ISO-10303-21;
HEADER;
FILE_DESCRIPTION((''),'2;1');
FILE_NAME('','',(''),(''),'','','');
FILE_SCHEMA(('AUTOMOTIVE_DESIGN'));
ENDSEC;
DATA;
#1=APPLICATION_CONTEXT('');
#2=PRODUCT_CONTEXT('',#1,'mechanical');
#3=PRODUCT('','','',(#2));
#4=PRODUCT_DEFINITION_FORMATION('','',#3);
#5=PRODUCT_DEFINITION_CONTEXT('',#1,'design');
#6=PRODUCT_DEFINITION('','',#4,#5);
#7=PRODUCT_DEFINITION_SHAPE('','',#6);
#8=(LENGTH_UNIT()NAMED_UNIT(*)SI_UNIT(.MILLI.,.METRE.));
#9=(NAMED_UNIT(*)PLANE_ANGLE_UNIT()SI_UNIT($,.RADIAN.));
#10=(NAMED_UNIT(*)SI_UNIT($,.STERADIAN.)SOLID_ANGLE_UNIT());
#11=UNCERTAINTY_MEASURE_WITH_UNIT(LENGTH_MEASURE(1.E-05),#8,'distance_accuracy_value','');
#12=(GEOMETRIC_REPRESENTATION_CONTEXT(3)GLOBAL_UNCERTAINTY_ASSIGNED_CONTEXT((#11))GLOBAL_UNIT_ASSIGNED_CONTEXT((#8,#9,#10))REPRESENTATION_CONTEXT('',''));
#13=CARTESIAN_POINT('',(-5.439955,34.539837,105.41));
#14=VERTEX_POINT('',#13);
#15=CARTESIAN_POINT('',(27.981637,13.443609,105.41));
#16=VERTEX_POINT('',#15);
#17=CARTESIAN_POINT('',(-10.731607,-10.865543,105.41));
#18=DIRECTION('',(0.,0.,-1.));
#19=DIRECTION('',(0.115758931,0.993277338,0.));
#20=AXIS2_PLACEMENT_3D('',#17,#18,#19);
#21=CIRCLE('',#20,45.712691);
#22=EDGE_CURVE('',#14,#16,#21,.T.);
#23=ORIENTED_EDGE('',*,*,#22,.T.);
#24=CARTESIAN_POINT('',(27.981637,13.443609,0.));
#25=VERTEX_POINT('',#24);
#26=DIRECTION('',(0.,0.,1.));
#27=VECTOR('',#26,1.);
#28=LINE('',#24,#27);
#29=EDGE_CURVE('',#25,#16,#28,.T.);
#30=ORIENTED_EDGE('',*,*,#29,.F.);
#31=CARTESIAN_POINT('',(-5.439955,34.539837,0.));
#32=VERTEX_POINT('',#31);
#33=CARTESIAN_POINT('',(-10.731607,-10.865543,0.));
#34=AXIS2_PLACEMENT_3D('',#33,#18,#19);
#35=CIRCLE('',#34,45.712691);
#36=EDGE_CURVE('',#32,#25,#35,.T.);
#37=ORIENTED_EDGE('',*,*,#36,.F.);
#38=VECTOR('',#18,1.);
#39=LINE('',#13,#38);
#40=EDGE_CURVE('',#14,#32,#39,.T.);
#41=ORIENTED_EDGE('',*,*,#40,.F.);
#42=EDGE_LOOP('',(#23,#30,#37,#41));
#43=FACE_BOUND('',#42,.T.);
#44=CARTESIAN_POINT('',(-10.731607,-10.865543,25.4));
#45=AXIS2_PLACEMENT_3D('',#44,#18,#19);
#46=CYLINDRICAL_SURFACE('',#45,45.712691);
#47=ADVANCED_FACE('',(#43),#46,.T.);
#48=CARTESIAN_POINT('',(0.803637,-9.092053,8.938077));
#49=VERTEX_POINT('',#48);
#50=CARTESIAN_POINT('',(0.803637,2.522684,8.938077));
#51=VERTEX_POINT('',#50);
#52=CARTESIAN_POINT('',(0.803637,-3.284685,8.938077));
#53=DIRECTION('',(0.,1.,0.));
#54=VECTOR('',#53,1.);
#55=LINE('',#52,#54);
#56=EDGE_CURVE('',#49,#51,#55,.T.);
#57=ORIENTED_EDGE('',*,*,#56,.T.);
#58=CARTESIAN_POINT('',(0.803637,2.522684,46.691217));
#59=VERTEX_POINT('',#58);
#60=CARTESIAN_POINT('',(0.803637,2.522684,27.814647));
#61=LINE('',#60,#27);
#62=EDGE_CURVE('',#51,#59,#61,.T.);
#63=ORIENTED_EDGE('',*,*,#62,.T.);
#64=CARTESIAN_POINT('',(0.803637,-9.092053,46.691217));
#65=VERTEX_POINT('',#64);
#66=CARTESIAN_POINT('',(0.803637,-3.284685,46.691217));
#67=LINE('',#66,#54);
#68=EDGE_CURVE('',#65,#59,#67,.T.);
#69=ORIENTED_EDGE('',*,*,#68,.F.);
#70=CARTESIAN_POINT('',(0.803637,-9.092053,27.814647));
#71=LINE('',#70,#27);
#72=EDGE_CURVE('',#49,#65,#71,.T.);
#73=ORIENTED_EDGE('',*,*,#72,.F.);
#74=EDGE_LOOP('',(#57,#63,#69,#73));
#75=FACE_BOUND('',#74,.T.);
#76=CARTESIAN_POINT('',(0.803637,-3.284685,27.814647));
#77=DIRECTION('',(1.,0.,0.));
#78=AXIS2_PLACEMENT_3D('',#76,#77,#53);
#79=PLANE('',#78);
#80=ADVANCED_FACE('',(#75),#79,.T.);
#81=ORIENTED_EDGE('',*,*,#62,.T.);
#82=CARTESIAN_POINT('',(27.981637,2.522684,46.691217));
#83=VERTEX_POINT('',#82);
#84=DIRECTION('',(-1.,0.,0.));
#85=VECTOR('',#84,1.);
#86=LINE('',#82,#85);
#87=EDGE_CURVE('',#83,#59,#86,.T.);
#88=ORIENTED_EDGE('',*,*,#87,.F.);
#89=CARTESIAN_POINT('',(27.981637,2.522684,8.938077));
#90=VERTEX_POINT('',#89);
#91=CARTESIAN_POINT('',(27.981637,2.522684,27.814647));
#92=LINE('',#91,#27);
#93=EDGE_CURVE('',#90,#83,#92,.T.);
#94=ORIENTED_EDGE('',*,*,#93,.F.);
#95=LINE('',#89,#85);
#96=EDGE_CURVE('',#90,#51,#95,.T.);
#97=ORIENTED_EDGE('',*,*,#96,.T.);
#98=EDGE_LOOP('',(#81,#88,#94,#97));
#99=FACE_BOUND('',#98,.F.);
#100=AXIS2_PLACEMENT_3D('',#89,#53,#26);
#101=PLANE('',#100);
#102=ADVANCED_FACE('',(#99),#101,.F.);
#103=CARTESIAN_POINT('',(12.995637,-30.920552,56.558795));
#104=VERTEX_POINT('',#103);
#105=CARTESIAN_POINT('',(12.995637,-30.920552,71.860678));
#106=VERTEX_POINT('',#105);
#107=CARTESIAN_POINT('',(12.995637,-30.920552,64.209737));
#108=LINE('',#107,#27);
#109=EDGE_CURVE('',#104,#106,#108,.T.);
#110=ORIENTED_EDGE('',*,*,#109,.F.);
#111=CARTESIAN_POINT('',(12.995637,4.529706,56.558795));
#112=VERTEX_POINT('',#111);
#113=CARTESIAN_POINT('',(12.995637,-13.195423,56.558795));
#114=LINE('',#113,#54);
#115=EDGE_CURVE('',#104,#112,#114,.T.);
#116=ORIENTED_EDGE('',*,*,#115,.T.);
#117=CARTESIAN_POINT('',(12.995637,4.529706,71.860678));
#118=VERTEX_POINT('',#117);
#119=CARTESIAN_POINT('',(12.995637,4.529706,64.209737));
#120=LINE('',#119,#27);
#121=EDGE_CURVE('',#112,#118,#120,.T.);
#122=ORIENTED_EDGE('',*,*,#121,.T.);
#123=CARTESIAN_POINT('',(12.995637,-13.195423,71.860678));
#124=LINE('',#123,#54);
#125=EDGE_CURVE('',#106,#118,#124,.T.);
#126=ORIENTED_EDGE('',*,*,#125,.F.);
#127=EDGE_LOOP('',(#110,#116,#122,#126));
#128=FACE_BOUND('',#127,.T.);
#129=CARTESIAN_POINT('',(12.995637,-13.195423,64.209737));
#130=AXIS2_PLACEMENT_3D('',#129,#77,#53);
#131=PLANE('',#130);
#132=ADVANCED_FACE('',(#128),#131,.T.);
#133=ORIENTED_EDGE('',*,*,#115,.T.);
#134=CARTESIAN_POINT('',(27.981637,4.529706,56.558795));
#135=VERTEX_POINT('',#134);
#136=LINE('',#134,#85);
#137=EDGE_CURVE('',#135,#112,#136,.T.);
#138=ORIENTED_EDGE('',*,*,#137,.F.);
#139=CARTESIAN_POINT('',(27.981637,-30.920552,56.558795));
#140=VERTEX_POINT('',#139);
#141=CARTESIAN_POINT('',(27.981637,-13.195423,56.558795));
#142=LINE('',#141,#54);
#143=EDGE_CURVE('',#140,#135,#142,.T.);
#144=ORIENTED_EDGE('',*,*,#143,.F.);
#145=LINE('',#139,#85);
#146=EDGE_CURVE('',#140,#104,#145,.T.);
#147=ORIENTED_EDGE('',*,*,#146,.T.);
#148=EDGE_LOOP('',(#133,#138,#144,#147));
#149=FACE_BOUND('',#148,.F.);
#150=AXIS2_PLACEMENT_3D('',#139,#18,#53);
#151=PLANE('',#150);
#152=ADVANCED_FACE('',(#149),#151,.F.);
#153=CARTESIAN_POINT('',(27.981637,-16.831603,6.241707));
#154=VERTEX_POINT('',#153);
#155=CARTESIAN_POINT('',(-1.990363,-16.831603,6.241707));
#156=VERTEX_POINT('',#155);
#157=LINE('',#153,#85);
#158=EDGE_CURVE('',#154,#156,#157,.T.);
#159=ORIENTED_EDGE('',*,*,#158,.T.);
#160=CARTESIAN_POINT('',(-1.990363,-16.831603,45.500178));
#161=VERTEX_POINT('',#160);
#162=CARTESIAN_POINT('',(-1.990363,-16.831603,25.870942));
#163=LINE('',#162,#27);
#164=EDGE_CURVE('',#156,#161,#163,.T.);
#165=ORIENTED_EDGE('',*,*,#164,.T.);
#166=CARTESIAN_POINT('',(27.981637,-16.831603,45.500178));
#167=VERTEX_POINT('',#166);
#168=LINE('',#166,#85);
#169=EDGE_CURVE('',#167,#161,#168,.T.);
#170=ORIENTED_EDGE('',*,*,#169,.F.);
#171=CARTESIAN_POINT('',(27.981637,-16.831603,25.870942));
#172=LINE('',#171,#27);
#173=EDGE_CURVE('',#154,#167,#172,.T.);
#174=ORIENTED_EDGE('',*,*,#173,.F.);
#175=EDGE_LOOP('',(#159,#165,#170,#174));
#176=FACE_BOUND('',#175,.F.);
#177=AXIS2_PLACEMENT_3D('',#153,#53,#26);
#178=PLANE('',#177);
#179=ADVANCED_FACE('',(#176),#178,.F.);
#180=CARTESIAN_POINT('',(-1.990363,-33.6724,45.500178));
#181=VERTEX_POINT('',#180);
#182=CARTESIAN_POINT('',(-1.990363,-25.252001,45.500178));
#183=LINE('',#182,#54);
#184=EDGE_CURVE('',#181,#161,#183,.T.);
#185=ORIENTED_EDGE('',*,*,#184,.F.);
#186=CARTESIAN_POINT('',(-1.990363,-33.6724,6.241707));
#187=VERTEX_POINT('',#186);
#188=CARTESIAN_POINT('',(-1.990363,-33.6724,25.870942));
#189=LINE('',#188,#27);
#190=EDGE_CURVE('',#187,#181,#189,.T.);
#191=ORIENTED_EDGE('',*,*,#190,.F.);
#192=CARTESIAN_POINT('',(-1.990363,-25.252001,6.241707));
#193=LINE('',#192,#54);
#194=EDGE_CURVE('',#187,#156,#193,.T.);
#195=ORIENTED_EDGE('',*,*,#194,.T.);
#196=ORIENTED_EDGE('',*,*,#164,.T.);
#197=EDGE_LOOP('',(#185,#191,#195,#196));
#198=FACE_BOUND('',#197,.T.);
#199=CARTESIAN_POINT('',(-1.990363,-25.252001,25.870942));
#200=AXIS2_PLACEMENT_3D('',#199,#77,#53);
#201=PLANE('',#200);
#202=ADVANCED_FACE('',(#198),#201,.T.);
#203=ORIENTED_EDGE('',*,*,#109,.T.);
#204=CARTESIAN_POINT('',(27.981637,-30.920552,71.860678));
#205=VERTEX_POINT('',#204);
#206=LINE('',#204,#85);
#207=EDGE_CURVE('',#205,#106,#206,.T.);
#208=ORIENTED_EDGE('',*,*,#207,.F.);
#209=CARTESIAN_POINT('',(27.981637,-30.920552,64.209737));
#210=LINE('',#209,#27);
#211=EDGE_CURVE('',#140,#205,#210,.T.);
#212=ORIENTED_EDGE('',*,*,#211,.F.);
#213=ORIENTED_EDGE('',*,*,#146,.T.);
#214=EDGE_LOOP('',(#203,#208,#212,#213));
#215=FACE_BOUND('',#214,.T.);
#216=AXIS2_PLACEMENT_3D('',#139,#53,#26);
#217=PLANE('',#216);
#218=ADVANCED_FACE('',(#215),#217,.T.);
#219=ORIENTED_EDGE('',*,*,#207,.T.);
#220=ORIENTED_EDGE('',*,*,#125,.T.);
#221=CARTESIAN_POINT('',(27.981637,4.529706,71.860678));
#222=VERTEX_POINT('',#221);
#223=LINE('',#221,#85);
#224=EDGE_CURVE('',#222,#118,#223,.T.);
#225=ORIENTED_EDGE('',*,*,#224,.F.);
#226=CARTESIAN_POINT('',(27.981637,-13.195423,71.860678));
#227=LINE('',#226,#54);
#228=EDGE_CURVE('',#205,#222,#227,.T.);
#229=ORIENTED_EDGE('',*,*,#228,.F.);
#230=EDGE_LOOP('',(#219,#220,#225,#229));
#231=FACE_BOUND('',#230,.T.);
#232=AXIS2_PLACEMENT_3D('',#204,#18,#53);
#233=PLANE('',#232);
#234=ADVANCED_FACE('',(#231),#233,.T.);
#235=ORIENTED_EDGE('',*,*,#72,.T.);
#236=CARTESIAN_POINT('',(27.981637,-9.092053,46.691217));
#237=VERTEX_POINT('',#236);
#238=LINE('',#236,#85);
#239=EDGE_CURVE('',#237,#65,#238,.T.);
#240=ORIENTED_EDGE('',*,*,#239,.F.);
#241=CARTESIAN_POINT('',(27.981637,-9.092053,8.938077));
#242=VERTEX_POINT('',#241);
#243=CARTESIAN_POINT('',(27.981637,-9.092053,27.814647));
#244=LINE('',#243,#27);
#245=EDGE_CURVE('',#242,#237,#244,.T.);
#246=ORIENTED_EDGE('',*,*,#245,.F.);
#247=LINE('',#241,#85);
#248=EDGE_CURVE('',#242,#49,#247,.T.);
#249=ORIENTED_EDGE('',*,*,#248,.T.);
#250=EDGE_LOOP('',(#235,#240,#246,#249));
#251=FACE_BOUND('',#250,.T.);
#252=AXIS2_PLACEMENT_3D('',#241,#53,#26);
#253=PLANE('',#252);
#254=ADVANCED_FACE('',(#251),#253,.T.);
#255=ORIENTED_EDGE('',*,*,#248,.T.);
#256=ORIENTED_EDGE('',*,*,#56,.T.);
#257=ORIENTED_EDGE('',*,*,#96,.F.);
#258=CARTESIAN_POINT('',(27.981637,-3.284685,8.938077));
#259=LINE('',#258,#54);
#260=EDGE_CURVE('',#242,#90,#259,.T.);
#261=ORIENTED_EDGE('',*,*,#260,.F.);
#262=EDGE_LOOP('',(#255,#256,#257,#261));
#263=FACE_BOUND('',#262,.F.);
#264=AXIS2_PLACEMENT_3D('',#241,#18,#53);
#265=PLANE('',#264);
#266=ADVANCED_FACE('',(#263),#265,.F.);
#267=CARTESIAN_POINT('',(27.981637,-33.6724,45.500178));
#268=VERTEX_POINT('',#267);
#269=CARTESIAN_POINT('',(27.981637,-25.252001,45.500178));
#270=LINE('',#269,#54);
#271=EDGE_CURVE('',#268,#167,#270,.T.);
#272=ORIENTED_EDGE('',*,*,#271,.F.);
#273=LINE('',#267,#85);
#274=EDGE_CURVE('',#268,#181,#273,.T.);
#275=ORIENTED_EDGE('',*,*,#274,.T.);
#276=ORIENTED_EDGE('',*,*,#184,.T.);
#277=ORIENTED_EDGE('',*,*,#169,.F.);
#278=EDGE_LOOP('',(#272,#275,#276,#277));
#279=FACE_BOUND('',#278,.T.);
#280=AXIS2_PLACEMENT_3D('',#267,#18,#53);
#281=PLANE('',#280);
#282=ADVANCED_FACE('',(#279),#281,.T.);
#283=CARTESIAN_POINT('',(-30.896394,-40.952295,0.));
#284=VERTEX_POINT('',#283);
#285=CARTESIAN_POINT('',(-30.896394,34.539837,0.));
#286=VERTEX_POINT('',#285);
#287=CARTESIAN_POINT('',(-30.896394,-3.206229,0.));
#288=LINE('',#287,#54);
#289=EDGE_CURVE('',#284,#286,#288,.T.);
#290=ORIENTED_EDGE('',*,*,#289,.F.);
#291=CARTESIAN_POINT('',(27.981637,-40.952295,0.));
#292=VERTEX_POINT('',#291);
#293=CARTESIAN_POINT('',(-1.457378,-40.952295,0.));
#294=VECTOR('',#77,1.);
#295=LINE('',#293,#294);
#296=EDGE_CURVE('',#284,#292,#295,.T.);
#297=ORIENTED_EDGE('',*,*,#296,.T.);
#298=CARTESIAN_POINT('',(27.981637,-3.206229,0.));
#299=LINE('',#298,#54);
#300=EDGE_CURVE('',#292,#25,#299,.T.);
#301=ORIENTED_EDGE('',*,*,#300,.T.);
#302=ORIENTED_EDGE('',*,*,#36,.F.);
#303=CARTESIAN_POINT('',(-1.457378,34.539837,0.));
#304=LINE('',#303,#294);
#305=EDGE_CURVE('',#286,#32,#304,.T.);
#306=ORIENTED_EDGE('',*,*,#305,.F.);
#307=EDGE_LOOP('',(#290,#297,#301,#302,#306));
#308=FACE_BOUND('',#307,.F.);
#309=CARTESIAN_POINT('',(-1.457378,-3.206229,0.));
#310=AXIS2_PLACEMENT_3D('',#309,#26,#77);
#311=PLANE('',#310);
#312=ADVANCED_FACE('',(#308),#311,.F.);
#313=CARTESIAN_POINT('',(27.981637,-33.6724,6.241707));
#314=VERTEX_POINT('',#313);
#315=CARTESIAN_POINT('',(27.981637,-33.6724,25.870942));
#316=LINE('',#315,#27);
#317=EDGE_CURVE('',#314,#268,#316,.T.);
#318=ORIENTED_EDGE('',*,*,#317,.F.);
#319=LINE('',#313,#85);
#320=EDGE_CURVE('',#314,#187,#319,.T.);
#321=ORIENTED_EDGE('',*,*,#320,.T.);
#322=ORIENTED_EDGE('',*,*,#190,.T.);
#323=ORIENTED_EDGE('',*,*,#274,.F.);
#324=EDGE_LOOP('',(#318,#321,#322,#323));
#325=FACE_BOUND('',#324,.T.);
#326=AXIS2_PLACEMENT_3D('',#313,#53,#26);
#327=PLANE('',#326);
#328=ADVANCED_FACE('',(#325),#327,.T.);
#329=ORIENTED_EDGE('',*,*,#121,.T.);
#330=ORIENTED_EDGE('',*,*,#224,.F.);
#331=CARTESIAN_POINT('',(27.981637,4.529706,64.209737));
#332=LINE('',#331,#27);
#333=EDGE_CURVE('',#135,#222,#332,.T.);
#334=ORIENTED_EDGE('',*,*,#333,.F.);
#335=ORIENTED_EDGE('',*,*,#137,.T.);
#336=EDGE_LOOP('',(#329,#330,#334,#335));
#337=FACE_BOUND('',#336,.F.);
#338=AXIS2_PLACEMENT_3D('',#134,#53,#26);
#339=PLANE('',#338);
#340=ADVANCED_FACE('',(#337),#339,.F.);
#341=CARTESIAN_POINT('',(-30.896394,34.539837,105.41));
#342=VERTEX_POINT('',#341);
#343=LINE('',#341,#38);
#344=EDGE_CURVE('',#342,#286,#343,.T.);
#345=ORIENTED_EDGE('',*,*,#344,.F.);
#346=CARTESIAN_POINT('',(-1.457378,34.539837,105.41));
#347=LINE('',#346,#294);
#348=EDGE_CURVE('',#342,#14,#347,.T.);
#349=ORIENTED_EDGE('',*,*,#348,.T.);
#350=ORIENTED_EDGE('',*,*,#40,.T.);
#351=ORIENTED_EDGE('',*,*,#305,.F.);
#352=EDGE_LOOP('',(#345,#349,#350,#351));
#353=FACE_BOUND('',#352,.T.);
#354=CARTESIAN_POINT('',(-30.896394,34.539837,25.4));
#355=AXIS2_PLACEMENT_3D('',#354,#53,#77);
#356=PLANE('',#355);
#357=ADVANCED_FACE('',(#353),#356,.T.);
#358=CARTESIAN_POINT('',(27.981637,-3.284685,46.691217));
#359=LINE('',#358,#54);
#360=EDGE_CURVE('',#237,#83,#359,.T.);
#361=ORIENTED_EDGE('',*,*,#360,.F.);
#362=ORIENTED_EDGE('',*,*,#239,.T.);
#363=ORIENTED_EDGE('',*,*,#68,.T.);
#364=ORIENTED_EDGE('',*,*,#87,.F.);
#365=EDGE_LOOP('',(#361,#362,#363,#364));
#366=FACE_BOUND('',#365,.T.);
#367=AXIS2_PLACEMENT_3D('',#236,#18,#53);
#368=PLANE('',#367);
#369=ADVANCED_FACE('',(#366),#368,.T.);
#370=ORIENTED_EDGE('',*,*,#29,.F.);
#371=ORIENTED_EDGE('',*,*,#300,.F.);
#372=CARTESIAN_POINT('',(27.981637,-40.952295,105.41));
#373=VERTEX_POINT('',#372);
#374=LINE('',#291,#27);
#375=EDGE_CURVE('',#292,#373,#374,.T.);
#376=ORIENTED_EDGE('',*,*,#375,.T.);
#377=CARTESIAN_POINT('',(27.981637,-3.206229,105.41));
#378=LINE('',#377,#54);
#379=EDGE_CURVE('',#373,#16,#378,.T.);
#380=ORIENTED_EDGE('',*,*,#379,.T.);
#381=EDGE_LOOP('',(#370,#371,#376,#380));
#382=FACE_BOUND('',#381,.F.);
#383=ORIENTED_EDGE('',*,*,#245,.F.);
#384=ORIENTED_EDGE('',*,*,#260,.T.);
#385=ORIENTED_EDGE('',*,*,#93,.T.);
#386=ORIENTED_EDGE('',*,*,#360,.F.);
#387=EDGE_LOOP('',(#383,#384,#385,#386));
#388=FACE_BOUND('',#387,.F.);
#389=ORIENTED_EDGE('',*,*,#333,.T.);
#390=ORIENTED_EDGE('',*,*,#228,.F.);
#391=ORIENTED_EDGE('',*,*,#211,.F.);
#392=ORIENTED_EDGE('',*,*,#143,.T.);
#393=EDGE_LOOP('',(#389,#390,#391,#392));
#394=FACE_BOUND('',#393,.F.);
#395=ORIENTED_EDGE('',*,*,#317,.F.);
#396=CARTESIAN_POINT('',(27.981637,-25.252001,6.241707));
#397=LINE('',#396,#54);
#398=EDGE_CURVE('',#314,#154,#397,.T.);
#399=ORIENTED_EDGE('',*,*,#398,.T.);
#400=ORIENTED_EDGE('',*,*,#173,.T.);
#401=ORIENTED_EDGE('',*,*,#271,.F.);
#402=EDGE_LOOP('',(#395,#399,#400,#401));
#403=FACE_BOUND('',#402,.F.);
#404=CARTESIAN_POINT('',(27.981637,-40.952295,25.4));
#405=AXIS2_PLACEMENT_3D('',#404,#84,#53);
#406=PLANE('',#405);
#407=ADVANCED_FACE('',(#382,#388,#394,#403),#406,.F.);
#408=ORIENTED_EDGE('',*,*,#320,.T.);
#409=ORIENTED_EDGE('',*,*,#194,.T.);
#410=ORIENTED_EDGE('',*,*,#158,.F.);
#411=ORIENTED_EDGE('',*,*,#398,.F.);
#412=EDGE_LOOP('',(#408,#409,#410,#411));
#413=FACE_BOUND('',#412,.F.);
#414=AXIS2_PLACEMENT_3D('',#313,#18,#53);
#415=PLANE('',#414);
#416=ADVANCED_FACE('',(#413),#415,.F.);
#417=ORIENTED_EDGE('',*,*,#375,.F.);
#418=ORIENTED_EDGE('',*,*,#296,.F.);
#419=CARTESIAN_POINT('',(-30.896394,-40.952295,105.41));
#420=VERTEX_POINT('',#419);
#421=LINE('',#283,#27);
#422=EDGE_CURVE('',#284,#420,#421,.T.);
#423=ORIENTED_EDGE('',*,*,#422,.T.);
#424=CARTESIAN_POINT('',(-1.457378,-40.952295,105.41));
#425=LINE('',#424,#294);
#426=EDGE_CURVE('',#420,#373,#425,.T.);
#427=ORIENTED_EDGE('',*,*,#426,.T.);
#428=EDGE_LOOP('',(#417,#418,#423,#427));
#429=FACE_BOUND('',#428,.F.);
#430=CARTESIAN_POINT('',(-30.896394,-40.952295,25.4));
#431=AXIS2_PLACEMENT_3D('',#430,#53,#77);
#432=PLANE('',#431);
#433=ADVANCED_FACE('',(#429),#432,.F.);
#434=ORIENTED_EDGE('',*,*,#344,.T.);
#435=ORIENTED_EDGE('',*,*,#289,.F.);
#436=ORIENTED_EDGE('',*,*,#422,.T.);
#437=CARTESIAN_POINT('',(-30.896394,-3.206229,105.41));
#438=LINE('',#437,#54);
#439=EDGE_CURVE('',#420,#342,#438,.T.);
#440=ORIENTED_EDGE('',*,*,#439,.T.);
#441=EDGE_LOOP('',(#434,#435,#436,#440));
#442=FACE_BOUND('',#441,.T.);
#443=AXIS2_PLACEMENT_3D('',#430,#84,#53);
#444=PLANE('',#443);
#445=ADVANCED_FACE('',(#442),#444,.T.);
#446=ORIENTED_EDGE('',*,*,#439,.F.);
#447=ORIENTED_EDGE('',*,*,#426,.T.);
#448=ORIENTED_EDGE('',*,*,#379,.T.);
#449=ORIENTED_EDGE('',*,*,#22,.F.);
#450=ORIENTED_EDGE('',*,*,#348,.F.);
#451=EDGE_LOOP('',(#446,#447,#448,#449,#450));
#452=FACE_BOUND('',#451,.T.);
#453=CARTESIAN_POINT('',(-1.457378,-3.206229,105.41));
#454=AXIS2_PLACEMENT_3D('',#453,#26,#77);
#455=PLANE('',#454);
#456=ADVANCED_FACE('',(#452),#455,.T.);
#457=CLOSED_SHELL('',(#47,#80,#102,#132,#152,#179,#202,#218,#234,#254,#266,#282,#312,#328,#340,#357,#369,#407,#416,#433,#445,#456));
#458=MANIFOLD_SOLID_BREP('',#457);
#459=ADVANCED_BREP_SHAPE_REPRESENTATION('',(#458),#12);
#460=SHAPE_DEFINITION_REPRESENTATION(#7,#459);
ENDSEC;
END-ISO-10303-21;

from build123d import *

# Parameters (mm, degrees)
F0_W      = 58.878030628
F0_H      = 75.4921324551
F1_DEPTH  = 25.4
F3_DEPTH  = 25.4
F4_DEPTH  = 80.01
F5_W      = 16.8407969177
F5_H      = 39.2584712245
F6_DEPTH  = 29.972
F7_W      = 11.6147371009
F7_H      = 37.7531396225
F8_DEPTH  = 27.178
F10_W     = 35.4502582923
F10_H     = 15.3018832207
F11_DEPTH = 14.986


with BuildPart() as f1:
    # F0 (on Top) → F1 (new body)
    with BuildSketch(Plane.XY):
        with Locations((-1.4573782682, -3.2062288374)):
            Rectangle(F0_W, F0_H)
    extrude(amount=F1_DEPTH)

    # F2 (on face) → F3 (cut)
    with BuildSketch(Plane.XY.offset(25.4)):
        with BuildLine():
            ThreePointArc((-5.4399550781, 34.5398373902), (13.6686067521, 27.7903712145), (27.9816370457, 13.4436087683))
            Line((27.9816370457, 13.4436087683), (27.9816370457, 34.5398373902))
            Line((27.9816370457, 34.5398373902), (-5.4399550781, 34.5398373902))
        make_face()
    extrude(amount=-F3_DEPTH, mode=Mode.SUBTRACT)

    # F4 (add): a face of the model
    f4_faces = [f1.faces().sort_by_distance(p)[0] for p in [
        (-2.600266852, -4.9615268336, 25.4),
    ]]
    extrude(f4_faces, amount=F4_DEPTH)

    # F5 (on face) → F6 (cut)
    with BuildSketch(Plane.YZ.offset(27.9816370457)):
        with Locations((-25.2520013601, 25.8709422778)):
            Rectangle(F5_W, F5_H)
    extrude(amount=-F6_DEPTH, mode=Mode.SUBTRACT)

    # F7 (on face) → F8 (cut)
    with BuildSketch(Plane.YZ.offset(27.9816370457)):
        with Locations((-3.284684848, 27.8146467172)):
            Rectangle(F7_W, F7_H)
    extrude(amount=-F8_DEPTH, mode=Mode.SUBTRACT)

    # F10 (on face) → F11 (cut)
    with BuildSketch(Plane.YZ.offset(27.9816370457)):
        with Locations((-13.1954229437, 64.2097368836)):
            Rectangle(F10_W, F10_H)
    extrude(amount=-F11_DEPTH, mode=Mode.SUBTRACT)


solid = f1.part
